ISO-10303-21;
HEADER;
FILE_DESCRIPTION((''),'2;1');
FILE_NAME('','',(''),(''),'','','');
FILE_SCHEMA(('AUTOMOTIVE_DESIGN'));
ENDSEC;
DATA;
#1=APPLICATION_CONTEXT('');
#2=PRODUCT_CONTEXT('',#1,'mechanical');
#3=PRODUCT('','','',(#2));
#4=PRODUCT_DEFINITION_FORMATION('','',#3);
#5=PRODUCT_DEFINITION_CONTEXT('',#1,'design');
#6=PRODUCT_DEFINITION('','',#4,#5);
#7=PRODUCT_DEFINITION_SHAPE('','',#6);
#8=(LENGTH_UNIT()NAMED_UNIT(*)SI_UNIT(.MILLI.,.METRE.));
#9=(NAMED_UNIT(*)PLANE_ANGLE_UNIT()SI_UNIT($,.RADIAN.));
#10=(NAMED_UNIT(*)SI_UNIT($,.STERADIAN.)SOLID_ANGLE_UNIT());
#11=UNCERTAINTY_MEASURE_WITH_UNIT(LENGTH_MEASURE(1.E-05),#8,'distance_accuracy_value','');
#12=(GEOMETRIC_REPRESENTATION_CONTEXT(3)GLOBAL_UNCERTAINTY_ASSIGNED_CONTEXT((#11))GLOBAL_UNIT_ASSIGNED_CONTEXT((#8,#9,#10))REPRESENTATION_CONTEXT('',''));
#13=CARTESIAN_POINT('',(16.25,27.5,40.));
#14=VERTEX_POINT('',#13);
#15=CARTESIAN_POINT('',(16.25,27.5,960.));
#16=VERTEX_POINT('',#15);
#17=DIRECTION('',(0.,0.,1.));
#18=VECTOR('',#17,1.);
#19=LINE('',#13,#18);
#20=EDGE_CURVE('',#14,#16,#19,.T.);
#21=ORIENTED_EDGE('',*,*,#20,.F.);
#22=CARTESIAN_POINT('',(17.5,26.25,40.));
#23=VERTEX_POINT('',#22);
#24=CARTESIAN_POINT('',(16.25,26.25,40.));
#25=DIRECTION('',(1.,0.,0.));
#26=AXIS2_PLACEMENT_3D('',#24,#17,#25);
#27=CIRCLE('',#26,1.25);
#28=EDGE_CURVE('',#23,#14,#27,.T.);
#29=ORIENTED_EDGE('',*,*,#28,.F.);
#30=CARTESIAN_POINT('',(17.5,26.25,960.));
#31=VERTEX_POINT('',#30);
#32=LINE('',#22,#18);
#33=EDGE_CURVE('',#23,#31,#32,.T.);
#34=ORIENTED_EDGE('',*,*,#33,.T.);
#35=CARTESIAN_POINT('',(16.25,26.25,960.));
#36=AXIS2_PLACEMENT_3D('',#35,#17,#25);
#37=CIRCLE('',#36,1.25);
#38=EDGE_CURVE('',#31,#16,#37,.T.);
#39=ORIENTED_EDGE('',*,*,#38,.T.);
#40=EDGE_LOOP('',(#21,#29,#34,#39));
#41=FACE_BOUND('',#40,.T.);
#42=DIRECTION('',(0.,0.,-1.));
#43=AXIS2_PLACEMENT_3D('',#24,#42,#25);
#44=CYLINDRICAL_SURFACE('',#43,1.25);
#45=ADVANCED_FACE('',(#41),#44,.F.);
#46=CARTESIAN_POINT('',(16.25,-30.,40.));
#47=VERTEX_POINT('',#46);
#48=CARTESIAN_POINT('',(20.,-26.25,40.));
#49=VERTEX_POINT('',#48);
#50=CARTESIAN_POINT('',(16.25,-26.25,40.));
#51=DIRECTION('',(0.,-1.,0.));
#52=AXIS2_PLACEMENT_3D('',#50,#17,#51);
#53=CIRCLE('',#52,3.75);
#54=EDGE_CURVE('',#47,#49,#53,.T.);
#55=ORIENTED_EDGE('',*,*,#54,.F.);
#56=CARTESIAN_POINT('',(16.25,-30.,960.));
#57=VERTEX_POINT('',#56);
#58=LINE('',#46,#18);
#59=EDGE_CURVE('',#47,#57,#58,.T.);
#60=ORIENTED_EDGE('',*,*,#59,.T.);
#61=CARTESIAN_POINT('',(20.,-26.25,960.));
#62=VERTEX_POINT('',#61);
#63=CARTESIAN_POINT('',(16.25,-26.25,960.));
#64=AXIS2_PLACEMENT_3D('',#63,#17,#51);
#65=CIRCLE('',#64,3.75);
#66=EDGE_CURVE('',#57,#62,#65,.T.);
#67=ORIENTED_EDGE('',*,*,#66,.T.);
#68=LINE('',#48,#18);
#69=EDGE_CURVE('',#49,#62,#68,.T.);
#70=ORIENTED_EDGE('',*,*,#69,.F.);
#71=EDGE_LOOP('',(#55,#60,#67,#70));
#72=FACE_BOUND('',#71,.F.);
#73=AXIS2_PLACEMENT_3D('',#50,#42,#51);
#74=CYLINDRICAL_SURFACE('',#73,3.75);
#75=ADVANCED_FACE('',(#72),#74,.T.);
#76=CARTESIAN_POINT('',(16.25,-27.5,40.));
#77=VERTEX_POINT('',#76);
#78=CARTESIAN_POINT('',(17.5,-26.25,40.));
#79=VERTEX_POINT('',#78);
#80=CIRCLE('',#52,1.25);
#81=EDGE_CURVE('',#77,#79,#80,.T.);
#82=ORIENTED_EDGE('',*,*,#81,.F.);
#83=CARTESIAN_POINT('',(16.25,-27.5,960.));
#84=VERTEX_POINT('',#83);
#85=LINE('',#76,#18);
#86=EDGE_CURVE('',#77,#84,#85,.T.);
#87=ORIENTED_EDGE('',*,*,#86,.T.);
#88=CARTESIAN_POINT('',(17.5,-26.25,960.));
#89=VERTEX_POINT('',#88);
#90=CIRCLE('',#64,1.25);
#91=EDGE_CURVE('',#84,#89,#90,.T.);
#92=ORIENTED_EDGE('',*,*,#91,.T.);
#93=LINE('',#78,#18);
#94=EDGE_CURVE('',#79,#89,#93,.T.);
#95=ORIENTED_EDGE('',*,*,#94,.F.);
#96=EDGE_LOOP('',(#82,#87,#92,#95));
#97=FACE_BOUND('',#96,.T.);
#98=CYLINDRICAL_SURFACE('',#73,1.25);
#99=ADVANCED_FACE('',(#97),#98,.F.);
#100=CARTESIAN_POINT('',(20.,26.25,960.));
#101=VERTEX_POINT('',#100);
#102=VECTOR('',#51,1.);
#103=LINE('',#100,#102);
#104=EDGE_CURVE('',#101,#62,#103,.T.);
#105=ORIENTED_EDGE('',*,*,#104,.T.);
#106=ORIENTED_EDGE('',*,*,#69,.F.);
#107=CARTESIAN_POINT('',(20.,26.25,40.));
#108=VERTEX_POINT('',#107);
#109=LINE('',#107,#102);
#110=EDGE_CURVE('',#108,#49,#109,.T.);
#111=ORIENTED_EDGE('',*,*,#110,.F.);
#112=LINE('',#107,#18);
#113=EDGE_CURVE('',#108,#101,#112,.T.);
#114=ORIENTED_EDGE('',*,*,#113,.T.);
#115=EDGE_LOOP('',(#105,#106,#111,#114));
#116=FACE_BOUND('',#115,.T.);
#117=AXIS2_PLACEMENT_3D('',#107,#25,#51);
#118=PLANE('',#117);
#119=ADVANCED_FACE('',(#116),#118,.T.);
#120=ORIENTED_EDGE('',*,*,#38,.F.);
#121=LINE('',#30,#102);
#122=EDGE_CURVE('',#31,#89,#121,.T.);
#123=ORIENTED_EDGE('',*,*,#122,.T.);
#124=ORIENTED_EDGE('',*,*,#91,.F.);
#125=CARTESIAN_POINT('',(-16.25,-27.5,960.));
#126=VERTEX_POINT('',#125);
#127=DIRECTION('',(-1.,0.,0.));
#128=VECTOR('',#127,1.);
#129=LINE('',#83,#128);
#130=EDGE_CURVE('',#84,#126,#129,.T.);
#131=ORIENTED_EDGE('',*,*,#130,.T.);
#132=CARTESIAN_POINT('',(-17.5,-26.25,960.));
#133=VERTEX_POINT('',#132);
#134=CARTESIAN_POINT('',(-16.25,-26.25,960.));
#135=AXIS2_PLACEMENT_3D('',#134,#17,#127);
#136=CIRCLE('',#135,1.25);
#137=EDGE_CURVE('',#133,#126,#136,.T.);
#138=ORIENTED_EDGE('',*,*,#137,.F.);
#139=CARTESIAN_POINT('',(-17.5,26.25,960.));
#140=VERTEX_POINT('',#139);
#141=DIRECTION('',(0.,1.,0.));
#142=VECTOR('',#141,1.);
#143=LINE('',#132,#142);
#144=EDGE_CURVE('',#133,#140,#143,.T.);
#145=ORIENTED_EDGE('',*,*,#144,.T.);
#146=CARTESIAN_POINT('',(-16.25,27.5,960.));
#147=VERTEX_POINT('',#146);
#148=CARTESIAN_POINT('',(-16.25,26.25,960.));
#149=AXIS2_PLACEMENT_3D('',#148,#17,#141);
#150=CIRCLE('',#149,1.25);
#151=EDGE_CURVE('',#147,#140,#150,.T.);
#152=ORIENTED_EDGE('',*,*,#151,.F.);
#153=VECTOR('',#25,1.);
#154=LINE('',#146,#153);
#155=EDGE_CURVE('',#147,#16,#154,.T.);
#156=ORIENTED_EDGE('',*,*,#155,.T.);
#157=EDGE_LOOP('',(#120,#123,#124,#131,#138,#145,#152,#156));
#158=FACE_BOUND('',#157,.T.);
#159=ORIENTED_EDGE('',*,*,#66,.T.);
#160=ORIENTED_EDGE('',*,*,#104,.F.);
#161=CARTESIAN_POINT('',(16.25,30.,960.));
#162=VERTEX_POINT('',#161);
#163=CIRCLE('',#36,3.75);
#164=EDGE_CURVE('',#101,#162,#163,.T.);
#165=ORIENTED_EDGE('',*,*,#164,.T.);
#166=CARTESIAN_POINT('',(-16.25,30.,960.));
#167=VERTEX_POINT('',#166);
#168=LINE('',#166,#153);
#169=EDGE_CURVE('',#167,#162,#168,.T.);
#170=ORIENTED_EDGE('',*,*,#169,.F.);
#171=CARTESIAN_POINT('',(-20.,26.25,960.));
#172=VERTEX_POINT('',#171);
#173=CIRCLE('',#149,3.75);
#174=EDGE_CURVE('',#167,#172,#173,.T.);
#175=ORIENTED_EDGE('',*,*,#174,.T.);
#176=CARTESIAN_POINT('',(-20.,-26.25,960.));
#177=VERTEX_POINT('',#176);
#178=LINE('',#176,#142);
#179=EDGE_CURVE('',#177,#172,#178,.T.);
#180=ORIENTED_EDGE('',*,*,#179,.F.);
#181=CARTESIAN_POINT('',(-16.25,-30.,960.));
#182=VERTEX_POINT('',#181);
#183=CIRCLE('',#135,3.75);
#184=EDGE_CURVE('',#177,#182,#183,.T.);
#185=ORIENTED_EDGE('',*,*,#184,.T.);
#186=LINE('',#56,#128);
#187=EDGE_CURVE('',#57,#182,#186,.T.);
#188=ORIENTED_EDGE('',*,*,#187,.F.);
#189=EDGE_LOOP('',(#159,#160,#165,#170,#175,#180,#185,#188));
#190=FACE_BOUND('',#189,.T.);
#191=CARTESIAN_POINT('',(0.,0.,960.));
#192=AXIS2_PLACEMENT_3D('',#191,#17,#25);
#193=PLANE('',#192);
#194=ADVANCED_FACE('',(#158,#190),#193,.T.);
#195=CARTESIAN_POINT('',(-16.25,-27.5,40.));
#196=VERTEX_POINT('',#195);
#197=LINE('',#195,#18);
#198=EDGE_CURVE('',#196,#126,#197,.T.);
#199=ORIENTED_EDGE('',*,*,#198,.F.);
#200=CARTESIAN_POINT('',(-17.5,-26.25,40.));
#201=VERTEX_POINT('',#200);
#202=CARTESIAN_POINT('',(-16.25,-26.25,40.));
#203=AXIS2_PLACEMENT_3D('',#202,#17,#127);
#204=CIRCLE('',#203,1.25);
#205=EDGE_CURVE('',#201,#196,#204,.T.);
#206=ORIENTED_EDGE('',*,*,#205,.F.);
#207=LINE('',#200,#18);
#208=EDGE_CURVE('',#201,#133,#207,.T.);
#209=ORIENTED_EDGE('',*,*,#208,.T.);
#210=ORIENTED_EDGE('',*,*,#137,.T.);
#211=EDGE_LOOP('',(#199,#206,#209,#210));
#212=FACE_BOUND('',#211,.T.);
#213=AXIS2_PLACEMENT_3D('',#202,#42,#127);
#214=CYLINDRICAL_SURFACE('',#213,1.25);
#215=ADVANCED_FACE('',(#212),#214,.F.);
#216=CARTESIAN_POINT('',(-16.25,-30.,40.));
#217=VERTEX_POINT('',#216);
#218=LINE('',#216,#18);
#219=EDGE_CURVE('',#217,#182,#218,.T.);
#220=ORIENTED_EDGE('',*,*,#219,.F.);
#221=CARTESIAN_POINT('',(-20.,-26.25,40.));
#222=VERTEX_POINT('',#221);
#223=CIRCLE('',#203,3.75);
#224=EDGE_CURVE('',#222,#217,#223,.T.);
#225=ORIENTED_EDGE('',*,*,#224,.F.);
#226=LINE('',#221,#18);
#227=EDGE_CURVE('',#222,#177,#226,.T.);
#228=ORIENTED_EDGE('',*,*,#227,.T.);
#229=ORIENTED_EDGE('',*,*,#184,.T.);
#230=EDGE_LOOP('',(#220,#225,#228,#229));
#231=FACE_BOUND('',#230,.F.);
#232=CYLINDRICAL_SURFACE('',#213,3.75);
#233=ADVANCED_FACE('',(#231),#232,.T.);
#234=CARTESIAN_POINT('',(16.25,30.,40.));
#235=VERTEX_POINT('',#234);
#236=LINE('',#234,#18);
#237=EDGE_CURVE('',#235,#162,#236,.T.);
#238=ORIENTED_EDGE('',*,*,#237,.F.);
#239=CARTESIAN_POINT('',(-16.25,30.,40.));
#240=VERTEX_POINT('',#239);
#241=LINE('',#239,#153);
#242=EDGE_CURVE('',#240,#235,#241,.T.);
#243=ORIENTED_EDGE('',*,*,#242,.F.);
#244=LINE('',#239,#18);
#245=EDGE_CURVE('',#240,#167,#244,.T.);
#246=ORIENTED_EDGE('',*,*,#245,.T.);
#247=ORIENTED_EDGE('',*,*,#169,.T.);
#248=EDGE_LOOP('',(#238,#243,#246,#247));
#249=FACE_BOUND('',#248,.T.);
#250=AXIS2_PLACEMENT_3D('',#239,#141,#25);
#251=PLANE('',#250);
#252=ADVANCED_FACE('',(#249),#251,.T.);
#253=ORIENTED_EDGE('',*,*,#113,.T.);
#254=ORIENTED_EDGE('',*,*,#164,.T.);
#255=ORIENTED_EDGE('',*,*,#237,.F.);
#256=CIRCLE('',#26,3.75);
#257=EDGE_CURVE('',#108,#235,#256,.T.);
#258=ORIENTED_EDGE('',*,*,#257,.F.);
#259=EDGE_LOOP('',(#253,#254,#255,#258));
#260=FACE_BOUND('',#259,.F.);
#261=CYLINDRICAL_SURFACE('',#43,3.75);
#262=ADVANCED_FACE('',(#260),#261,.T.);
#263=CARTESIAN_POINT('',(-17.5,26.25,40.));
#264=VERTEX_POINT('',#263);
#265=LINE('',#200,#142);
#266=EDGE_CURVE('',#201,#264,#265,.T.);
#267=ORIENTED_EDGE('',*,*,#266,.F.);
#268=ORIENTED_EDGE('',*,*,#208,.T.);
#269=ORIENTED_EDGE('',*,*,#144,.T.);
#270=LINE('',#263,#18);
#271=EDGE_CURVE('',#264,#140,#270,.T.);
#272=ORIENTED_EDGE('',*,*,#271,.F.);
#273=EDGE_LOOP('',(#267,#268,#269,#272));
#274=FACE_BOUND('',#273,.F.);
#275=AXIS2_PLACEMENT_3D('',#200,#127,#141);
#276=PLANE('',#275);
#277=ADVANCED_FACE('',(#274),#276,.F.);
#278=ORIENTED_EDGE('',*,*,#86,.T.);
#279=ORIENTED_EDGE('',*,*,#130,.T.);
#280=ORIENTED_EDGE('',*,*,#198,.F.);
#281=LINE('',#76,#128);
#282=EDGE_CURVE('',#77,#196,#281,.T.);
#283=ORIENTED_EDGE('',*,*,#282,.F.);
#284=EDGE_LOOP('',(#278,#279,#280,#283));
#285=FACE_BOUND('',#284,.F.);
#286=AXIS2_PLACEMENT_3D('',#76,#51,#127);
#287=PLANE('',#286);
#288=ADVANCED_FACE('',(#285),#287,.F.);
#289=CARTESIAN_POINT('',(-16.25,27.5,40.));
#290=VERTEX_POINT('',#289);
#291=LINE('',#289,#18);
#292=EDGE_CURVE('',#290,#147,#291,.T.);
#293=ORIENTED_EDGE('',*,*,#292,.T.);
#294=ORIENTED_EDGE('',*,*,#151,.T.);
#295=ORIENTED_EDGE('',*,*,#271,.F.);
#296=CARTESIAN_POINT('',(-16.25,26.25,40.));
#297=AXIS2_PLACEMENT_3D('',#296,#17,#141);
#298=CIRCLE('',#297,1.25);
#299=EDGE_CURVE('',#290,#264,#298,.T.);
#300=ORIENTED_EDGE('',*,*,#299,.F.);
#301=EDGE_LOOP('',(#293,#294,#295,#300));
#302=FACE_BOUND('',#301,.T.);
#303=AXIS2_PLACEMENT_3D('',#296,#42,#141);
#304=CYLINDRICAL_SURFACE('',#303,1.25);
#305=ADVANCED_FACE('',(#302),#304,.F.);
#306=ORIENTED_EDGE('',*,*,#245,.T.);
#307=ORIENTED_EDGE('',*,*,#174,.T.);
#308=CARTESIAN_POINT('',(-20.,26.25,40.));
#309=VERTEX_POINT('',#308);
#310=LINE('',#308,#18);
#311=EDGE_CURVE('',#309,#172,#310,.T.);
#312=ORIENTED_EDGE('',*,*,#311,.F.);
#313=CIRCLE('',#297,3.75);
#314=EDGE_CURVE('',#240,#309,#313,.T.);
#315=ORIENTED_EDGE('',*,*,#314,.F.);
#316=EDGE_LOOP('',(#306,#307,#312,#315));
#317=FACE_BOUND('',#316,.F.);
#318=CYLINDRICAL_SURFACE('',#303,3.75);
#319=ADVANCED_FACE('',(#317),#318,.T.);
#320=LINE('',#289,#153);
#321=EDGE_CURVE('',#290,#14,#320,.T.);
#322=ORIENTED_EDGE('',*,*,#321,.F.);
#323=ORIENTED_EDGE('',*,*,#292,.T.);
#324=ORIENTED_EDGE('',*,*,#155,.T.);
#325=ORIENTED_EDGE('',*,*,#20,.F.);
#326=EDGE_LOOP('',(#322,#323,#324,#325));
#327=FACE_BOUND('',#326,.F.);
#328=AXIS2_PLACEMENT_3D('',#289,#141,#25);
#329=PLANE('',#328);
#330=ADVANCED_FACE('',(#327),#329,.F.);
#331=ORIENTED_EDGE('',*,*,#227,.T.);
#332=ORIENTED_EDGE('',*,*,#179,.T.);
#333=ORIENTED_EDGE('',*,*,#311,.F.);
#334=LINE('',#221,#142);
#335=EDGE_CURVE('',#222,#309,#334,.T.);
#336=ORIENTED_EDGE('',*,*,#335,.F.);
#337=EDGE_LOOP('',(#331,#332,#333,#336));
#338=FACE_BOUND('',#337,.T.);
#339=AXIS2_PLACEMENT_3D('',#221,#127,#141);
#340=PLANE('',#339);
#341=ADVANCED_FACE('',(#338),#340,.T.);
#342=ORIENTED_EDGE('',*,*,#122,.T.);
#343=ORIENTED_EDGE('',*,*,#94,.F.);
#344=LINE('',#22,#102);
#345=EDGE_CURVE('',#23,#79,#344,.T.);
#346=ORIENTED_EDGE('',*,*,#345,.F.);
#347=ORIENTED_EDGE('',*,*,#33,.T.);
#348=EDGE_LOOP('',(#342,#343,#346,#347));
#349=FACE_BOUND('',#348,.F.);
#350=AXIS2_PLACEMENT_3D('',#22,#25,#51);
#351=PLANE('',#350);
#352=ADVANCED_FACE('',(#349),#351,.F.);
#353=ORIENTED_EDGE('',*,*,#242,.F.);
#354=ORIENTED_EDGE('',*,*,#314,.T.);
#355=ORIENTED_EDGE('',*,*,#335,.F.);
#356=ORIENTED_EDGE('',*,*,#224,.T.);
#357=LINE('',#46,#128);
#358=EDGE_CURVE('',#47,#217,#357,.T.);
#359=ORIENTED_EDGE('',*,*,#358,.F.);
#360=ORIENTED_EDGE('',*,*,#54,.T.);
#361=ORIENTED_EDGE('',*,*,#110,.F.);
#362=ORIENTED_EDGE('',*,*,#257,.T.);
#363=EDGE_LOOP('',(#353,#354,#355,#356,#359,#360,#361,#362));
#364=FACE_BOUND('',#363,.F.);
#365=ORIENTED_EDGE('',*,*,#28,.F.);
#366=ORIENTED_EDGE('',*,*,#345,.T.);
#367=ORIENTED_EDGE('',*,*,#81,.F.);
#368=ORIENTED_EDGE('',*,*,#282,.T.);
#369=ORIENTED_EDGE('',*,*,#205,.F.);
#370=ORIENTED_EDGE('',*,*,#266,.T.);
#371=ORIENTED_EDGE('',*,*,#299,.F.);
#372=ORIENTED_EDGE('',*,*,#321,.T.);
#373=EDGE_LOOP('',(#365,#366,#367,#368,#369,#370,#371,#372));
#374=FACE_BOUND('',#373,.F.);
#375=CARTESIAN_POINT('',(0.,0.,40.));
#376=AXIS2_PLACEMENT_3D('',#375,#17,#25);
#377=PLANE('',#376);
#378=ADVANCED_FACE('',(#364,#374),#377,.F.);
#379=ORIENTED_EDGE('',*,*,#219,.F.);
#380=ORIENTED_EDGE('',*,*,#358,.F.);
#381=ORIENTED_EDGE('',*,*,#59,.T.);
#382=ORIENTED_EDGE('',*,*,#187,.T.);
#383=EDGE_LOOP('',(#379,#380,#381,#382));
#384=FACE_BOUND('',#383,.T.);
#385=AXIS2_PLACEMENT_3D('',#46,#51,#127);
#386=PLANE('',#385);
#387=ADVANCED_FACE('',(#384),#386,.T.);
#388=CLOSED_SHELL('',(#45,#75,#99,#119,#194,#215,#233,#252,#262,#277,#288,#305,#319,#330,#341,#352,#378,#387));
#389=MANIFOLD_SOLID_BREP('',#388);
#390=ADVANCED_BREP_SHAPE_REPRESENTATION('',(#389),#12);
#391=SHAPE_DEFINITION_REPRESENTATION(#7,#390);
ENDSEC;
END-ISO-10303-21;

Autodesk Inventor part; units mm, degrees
ref_plane "YZ Plane" through (0, 0, 0) normal (1, 0, 0) x (0, 1, 0)
ref_plane "Start Plane" through (0, 0, 40) normal (0, 0, 1) x (1, 0, 0)
ref_plane "End Plane" through (0, 0, 960) normal (0, 0, 1) x (1, 0, 0)
sketch "Sketch" plane through (0, 0, 0) normal (0, 0, 1) x (1, 0, 0)
  line L0 (-20, -26.25) -> (-20, 26.25)
  line L1 (-16.25, 30) -> (16.25, 30)
  line L2 (20, 26.25) -> (20, -26.25)
  line L3 (16.25, -30) -> (-16.25, -30)
  arc A0 (-20, -26.25) -> (-16.25, -30) centre (-16.25, -26.25) ccw
  arc A1 (-16.25, 30) -> (-20, 26.25) centre (-16.25, 26.25) ccw
  arc A2 (20, 26.25) -> (16.25, 30) centre (16.25, 26.25) ccw
  arc A3 (16.25, -30) -> (20, -26.25) centre (16.25, -26.25) ccw
  arc A4 (-16.25, 27.5) -> (-17.5, 26.25) centre (-16.25, 26.25) ccw
  line L4 (-16.25, 27.5) -> (16.25, 27.5)
  arc A5 (17.5, 26.25) -> (16.25, 27.5) centre (16.25, 26.25) ccw
  line L5 (17.5, 26.25) -> (17.5, -26.25)
  arc A6 (16.25, -27.5) -> (17.5, -26.25) centre (16.25, -26.25) ccw
  line L6 (16.25, -27.5) -> (-16.25, -27.5)
  arc A7 (-17.5, -26.25) -> (-16.25, -27.5) centre (-16.25, -26.25) ccw
  line L7 (-17.5, -26.25) -> (-17.5, 26.25)
  line L8 (0, 43.0873) -> (0, -43.0873) construction
  line L9 (-29.0873, 0) -> (29.0873, 0) construction
  dimension "d7" = 3.75
  dimension "d10" = 60
  dimension "d11" = 40
  dimension "d12" = 2.5
  dimension "d15" = 30
  dimension "d16" = 20
extrude "Body" add sketch "Sketch" along normal up to surface (920 mm away) from surface at 40
sketch "Sketch3" plane through (0, 0, 0) normal (0, 0, 1) x (1, 0, 0)
  line L0 (0, 0) -> (10, 0)
ref_plane "Work Plane3" through (0, 0, 0) normal (0, -1, 0) x (1, 0, 0)
sketch "Sketch4" plane through (0, 0, 0) normal (0, -1, 0) x (1, 0, 0)
  line L0 (-2, 40) -> (12, 40) projected
  line L1 (-2, 960) -> (12, 960) projected
  dimension "d18" = 920
equation "\"d7\" = G_IR"
equation "\"d10\" = G_H"
equation "\"d11\" = G_W"
equation "\"d12\" = G_T"
equation "\"d15\" = 0.5 * d10"
equation "\"d16\" = 0.5 * d11"
equation "\"d3\" = G_L"
equation "\"G_W\" = 40"
equation "\"G_H\" = 60"
equation "\"G_T\" = 2.5"
equation "\"G_IR\" = 3.75"
equation "\"G_L\" = d18"
properties part number "ISO 12633-2 - 60x40x2.5 - 920" material "Steel, Mild"
